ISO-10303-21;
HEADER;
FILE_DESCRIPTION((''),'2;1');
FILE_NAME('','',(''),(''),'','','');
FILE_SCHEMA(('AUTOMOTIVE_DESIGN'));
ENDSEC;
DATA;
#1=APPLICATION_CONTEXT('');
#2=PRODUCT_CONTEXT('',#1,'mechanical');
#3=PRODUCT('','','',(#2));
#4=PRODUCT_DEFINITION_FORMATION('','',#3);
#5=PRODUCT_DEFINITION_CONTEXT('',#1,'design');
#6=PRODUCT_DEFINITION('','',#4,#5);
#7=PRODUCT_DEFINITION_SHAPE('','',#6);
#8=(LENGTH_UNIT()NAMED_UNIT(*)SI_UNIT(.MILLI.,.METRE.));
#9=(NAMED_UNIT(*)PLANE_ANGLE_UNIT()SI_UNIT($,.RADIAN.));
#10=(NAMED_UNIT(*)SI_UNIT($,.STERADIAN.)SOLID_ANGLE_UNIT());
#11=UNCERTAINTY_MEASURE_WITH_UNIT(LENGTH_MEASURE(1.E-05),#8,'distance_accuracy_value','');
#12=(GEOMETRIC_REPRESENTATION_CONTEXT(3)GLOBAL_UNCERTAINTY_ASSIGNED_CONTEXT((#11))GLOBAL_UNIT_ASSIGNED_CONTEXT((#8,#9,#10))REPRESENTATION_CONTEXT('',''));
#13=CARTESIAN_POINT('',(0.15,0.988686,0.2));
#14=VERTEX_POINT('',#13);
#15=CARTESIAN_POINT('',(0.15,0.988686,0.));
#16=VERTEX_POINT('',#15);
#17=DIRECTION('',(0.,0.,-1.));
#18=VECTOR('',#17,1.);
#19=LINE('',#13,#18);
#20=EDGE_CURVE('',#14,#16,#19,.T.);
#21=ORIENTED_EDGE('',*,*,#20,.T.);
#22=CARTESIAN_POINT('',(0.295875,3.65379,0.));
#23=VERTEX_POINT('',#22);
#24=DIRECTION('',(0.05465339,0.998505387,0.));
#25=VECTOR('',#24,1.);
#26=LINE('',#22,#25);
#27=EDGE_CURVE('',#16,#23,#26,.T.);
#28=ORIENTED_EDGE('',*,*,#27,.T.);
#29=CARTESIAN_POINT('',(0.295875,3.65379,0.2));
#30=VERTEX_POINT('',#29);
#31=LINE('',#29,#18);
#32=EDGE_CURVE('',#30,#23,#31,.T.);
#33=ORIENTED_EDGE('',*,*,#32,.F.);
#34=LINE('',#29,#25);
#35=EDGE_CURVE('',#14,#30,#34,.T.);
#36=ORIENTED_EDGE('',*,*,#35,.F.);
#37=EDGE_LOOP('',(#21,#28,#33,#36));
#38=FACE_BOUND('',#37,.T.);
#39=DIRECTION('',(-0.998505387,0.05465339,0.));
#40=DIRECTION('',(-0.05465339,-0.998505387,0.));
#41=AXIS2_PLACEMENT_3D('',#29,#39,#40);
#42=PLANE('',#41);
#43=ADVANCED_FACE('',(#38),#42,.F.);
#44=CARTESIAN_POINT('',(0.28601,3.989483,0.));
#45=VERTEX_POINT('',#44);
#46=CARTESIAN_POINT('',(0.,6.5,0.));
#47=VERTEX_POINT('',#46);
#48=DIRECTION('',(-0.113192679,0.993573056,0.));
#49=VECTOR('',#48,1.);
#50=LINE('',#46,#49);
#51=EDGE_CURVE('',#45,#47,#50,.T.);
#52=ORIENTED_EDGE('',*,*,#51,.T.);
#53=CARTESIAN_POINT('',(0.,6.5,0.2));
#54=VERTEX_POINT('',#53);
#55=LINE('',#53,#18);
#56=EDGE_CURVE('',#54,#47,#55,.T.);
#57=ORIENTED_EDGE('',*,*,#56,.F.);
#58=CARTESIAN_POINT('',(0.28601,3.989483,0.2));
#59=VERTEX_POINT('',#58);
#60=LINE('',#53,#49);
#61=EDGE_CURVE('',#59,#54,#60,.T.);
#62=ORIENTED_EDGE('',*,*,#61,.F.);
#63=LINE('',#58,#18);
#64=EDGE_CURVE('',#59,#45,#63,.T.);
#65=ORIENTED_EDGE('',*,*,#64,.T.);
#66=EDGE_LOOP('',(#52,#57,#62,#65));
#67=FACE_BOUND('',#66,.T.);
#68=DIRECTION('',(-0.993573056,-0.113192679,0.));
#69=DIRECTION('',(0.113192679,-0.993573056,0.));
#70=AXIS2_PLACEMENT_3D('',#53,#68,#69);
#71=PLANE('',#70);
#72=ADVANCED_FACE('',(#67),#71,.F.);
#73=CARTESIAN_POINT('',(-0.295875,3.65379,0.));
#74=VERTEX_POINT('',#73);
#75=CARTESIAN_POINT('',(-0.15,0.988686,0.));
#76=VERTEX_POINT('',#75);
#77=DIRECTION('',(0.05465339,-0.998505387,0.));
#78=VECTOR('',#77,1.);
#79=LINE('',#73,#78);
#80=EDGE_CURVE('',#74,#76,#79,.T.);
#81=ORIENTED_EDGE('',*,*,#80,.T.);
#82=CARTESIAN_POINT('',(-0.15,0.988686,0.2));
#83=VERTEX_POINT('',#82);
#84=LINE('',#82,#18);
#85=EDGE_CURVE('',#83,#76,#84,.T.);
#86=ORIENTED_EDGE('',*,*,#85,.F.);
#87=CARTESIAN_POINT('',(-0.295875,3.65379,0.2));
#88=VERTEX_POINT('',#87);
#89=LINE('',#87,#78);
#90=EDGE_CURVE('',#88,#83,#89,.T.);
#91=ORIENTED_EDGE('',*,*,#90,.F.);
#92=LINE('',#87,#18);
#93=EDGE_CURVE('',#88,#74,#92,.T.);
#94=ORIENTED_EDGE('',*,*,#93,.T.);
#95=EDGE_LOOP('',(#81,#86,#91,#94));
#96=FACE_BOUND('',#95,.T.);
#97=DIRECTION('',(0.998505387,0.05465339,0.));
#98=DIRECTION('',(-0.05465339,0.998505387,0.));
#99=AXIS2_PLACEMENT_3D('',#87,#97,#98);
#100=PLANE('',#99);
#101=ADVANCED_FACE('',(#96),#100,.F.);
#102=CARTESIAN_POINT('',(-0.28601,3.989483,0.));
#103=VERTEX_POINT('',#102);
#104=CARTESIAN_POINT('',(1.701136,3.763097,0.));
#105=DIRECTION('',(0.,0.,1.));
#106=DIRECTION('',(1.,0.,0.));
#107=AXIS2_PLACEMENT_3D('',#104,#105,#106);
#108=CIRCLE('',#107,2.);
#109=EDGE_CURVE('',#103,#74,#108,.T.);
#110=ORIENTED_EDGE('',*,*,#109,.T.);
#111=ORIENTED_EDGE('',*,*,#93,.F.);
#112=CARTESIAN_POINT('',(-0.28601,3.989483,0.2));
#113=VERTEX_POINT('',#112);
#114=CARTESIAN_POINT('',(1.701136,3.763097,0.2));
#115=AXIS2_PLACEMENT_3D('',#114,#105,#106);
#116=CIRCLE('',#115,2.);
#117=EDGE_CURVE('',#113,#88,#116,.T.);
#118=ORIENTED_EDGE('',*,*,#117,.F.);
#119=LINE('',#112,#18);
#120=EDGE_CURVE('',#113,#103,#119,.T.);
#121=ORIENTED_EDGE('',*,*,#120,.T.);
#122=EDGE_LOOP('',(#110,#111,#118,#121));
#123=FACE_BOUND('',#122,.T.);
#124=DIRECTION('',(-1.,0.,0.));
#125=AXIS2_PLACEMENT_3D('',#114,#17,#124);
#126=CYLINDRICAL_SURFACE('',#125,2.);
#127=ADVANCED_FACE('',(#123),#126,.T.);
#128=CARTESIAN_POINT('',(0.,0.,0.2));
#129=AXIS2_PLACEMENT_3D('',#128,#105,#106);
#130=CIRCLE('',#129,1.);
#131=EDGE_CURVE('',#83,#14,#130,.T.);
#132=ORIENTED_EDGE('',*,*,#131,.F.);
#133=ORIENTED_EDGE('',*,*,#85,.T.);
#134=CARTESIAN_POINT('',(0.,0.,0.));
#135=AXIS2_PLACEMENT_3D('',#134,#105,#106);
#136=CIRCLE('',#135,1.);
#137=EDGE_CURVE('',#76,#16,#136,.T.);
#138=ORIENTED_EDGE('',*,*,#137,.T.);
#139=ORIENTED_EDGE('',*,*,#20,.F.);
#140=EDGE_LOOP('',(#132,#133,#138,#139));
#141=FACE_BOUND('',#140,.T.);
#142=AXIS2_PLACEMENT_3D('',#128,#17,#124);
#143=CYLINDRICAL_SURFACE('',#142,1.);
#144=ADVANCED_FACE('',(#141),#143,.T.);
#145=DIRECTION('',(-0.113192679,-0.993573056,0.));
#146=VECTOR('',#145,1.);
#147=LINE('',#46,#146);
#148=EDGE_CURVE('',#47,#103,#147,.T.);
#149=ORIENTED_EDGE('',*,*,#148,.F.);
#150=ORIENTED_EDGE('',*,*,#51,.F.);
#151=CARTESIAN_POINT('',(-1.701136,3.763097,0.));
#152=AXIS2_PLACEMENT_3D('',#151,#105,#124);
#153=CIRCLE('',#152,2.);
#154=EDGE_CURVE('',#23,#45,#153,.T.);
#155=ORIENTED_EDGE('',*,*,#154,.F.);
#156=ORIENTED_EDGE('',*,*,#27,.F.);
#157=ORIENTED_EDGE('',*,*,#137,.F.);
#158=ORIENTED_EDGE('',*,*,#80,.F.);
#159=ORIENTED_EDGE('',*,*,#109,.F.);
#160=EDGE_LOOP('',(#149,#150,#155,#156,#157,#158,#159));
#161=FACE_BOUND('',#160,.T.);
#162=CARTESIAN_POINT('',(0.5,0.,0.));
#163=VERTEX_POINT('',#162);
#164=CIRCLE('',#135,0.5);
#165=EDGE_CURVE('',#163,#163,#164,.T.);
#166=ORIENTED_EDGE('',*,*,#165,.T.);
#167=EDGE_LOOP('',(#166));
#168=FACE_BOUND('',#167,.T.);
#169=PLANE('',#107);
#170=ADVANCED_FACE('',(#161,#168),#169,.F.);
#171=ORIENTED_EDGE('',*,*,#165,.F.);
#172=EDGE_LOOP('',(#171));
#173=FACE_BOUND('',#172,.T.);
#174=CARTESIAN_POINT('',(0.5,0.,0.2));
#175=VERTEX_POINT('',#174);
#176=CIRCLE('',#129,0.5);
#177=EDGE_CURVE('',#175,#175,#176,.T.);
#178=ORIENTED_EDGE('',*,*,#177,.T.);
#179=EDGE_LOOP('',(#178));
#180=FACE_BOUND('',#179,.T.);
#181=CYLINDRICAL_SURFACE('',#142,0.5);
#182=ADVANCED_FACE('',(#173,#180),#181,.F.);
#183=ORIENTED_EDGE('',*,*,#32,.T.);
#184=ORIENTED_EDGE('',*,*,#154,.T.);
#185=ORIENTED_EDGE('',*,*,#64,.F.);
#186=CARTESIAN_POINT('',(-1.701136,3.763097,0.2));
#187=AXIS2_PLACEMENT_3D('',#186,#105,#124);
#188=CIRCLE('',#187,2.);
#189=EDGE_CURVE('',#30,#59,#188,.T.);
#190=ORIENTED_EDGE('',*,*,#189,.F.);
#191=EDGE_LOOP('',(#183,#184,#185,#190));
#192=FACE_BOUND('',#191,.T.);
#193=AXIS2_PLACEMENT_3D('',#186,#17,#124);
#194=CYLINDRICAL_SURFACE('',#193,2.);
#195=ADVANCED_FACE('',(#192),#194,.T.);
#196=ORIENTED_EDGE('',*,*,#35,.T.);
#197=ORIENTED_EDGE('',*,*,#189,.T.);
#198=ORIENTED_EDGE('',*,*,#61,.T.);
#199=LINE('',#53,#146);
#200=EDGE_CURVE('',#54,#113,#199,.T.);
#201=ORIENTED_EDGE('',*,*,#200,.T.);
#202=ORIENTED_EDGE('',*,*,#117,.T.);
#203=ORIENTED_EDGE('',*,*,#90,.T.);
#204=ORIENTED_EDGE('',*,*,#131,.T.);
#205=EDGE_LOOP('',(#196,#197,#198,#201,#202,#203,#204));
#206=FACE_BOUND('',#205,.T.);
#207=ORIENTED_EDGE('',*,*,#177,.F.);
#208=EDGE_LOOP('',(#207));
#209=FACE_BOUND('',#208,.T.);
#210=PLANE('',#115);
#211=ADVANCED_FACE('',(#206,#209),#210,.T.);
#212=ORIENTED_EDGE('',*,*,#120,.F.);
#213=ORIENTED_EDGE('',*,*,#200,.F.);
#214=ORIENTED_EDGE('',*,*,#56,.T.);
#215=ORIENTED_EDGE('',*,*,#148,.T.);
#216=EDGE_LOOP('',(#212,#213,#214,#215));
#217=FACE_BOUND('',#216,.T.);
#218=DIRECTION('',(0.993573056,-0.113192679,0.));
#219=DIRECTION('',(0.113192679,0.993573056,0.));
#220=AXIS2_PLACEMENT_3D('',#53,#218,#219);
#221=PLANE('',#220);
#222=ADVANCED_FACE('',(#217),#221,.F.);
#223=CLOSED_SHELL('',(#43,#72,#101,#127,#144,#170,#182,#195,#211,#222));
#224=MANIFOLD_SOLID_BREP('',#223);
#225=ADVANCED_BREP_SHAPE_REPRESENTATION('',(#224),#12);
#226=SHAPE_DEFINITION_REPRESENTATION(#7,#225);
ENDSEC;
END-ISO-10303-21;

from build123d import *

# Parameters (mm, degrees)
SKETCH1_R           = 0.5
BOSS_EXTRUDE1_DEPTH = 0.2


with BuildPart() as part:
    # Sketch1 → Boss-Extrude1 (new body)
    with BuildSketch(Plane.XY):
        with BuildLine():
            Line((0, 6.5), (-0.28601036, 3.989482622))
            ThreePointArc((-0.28601036, 3.989482622), (-0.298001268, 3.821843977), (-0.295875021, 3.653790485))
            Line((-0.295875021, 3.653790485), (-0.15, 0.988685997))
            ThreePointArc((-0.15, 0.988685997), (0, -1), (0.15, 0.988685997))
            Line((0.15, 0.988685997), (0.295875021, 3.653790485))
            ThreePointArc((0.295875021, 3.653790485), (0.298001268, 3.821843977), (0.28601036, 3.989482622))
            Line((0.28601036, 3.989482622), (0, 6.5))
        make_face()
        Circle(SKETCH1_R, mode=Mode.SUBTRACT)
    extrude(amount=BOSS_EXTRUDE1_DEPTH)


solid = part.part
